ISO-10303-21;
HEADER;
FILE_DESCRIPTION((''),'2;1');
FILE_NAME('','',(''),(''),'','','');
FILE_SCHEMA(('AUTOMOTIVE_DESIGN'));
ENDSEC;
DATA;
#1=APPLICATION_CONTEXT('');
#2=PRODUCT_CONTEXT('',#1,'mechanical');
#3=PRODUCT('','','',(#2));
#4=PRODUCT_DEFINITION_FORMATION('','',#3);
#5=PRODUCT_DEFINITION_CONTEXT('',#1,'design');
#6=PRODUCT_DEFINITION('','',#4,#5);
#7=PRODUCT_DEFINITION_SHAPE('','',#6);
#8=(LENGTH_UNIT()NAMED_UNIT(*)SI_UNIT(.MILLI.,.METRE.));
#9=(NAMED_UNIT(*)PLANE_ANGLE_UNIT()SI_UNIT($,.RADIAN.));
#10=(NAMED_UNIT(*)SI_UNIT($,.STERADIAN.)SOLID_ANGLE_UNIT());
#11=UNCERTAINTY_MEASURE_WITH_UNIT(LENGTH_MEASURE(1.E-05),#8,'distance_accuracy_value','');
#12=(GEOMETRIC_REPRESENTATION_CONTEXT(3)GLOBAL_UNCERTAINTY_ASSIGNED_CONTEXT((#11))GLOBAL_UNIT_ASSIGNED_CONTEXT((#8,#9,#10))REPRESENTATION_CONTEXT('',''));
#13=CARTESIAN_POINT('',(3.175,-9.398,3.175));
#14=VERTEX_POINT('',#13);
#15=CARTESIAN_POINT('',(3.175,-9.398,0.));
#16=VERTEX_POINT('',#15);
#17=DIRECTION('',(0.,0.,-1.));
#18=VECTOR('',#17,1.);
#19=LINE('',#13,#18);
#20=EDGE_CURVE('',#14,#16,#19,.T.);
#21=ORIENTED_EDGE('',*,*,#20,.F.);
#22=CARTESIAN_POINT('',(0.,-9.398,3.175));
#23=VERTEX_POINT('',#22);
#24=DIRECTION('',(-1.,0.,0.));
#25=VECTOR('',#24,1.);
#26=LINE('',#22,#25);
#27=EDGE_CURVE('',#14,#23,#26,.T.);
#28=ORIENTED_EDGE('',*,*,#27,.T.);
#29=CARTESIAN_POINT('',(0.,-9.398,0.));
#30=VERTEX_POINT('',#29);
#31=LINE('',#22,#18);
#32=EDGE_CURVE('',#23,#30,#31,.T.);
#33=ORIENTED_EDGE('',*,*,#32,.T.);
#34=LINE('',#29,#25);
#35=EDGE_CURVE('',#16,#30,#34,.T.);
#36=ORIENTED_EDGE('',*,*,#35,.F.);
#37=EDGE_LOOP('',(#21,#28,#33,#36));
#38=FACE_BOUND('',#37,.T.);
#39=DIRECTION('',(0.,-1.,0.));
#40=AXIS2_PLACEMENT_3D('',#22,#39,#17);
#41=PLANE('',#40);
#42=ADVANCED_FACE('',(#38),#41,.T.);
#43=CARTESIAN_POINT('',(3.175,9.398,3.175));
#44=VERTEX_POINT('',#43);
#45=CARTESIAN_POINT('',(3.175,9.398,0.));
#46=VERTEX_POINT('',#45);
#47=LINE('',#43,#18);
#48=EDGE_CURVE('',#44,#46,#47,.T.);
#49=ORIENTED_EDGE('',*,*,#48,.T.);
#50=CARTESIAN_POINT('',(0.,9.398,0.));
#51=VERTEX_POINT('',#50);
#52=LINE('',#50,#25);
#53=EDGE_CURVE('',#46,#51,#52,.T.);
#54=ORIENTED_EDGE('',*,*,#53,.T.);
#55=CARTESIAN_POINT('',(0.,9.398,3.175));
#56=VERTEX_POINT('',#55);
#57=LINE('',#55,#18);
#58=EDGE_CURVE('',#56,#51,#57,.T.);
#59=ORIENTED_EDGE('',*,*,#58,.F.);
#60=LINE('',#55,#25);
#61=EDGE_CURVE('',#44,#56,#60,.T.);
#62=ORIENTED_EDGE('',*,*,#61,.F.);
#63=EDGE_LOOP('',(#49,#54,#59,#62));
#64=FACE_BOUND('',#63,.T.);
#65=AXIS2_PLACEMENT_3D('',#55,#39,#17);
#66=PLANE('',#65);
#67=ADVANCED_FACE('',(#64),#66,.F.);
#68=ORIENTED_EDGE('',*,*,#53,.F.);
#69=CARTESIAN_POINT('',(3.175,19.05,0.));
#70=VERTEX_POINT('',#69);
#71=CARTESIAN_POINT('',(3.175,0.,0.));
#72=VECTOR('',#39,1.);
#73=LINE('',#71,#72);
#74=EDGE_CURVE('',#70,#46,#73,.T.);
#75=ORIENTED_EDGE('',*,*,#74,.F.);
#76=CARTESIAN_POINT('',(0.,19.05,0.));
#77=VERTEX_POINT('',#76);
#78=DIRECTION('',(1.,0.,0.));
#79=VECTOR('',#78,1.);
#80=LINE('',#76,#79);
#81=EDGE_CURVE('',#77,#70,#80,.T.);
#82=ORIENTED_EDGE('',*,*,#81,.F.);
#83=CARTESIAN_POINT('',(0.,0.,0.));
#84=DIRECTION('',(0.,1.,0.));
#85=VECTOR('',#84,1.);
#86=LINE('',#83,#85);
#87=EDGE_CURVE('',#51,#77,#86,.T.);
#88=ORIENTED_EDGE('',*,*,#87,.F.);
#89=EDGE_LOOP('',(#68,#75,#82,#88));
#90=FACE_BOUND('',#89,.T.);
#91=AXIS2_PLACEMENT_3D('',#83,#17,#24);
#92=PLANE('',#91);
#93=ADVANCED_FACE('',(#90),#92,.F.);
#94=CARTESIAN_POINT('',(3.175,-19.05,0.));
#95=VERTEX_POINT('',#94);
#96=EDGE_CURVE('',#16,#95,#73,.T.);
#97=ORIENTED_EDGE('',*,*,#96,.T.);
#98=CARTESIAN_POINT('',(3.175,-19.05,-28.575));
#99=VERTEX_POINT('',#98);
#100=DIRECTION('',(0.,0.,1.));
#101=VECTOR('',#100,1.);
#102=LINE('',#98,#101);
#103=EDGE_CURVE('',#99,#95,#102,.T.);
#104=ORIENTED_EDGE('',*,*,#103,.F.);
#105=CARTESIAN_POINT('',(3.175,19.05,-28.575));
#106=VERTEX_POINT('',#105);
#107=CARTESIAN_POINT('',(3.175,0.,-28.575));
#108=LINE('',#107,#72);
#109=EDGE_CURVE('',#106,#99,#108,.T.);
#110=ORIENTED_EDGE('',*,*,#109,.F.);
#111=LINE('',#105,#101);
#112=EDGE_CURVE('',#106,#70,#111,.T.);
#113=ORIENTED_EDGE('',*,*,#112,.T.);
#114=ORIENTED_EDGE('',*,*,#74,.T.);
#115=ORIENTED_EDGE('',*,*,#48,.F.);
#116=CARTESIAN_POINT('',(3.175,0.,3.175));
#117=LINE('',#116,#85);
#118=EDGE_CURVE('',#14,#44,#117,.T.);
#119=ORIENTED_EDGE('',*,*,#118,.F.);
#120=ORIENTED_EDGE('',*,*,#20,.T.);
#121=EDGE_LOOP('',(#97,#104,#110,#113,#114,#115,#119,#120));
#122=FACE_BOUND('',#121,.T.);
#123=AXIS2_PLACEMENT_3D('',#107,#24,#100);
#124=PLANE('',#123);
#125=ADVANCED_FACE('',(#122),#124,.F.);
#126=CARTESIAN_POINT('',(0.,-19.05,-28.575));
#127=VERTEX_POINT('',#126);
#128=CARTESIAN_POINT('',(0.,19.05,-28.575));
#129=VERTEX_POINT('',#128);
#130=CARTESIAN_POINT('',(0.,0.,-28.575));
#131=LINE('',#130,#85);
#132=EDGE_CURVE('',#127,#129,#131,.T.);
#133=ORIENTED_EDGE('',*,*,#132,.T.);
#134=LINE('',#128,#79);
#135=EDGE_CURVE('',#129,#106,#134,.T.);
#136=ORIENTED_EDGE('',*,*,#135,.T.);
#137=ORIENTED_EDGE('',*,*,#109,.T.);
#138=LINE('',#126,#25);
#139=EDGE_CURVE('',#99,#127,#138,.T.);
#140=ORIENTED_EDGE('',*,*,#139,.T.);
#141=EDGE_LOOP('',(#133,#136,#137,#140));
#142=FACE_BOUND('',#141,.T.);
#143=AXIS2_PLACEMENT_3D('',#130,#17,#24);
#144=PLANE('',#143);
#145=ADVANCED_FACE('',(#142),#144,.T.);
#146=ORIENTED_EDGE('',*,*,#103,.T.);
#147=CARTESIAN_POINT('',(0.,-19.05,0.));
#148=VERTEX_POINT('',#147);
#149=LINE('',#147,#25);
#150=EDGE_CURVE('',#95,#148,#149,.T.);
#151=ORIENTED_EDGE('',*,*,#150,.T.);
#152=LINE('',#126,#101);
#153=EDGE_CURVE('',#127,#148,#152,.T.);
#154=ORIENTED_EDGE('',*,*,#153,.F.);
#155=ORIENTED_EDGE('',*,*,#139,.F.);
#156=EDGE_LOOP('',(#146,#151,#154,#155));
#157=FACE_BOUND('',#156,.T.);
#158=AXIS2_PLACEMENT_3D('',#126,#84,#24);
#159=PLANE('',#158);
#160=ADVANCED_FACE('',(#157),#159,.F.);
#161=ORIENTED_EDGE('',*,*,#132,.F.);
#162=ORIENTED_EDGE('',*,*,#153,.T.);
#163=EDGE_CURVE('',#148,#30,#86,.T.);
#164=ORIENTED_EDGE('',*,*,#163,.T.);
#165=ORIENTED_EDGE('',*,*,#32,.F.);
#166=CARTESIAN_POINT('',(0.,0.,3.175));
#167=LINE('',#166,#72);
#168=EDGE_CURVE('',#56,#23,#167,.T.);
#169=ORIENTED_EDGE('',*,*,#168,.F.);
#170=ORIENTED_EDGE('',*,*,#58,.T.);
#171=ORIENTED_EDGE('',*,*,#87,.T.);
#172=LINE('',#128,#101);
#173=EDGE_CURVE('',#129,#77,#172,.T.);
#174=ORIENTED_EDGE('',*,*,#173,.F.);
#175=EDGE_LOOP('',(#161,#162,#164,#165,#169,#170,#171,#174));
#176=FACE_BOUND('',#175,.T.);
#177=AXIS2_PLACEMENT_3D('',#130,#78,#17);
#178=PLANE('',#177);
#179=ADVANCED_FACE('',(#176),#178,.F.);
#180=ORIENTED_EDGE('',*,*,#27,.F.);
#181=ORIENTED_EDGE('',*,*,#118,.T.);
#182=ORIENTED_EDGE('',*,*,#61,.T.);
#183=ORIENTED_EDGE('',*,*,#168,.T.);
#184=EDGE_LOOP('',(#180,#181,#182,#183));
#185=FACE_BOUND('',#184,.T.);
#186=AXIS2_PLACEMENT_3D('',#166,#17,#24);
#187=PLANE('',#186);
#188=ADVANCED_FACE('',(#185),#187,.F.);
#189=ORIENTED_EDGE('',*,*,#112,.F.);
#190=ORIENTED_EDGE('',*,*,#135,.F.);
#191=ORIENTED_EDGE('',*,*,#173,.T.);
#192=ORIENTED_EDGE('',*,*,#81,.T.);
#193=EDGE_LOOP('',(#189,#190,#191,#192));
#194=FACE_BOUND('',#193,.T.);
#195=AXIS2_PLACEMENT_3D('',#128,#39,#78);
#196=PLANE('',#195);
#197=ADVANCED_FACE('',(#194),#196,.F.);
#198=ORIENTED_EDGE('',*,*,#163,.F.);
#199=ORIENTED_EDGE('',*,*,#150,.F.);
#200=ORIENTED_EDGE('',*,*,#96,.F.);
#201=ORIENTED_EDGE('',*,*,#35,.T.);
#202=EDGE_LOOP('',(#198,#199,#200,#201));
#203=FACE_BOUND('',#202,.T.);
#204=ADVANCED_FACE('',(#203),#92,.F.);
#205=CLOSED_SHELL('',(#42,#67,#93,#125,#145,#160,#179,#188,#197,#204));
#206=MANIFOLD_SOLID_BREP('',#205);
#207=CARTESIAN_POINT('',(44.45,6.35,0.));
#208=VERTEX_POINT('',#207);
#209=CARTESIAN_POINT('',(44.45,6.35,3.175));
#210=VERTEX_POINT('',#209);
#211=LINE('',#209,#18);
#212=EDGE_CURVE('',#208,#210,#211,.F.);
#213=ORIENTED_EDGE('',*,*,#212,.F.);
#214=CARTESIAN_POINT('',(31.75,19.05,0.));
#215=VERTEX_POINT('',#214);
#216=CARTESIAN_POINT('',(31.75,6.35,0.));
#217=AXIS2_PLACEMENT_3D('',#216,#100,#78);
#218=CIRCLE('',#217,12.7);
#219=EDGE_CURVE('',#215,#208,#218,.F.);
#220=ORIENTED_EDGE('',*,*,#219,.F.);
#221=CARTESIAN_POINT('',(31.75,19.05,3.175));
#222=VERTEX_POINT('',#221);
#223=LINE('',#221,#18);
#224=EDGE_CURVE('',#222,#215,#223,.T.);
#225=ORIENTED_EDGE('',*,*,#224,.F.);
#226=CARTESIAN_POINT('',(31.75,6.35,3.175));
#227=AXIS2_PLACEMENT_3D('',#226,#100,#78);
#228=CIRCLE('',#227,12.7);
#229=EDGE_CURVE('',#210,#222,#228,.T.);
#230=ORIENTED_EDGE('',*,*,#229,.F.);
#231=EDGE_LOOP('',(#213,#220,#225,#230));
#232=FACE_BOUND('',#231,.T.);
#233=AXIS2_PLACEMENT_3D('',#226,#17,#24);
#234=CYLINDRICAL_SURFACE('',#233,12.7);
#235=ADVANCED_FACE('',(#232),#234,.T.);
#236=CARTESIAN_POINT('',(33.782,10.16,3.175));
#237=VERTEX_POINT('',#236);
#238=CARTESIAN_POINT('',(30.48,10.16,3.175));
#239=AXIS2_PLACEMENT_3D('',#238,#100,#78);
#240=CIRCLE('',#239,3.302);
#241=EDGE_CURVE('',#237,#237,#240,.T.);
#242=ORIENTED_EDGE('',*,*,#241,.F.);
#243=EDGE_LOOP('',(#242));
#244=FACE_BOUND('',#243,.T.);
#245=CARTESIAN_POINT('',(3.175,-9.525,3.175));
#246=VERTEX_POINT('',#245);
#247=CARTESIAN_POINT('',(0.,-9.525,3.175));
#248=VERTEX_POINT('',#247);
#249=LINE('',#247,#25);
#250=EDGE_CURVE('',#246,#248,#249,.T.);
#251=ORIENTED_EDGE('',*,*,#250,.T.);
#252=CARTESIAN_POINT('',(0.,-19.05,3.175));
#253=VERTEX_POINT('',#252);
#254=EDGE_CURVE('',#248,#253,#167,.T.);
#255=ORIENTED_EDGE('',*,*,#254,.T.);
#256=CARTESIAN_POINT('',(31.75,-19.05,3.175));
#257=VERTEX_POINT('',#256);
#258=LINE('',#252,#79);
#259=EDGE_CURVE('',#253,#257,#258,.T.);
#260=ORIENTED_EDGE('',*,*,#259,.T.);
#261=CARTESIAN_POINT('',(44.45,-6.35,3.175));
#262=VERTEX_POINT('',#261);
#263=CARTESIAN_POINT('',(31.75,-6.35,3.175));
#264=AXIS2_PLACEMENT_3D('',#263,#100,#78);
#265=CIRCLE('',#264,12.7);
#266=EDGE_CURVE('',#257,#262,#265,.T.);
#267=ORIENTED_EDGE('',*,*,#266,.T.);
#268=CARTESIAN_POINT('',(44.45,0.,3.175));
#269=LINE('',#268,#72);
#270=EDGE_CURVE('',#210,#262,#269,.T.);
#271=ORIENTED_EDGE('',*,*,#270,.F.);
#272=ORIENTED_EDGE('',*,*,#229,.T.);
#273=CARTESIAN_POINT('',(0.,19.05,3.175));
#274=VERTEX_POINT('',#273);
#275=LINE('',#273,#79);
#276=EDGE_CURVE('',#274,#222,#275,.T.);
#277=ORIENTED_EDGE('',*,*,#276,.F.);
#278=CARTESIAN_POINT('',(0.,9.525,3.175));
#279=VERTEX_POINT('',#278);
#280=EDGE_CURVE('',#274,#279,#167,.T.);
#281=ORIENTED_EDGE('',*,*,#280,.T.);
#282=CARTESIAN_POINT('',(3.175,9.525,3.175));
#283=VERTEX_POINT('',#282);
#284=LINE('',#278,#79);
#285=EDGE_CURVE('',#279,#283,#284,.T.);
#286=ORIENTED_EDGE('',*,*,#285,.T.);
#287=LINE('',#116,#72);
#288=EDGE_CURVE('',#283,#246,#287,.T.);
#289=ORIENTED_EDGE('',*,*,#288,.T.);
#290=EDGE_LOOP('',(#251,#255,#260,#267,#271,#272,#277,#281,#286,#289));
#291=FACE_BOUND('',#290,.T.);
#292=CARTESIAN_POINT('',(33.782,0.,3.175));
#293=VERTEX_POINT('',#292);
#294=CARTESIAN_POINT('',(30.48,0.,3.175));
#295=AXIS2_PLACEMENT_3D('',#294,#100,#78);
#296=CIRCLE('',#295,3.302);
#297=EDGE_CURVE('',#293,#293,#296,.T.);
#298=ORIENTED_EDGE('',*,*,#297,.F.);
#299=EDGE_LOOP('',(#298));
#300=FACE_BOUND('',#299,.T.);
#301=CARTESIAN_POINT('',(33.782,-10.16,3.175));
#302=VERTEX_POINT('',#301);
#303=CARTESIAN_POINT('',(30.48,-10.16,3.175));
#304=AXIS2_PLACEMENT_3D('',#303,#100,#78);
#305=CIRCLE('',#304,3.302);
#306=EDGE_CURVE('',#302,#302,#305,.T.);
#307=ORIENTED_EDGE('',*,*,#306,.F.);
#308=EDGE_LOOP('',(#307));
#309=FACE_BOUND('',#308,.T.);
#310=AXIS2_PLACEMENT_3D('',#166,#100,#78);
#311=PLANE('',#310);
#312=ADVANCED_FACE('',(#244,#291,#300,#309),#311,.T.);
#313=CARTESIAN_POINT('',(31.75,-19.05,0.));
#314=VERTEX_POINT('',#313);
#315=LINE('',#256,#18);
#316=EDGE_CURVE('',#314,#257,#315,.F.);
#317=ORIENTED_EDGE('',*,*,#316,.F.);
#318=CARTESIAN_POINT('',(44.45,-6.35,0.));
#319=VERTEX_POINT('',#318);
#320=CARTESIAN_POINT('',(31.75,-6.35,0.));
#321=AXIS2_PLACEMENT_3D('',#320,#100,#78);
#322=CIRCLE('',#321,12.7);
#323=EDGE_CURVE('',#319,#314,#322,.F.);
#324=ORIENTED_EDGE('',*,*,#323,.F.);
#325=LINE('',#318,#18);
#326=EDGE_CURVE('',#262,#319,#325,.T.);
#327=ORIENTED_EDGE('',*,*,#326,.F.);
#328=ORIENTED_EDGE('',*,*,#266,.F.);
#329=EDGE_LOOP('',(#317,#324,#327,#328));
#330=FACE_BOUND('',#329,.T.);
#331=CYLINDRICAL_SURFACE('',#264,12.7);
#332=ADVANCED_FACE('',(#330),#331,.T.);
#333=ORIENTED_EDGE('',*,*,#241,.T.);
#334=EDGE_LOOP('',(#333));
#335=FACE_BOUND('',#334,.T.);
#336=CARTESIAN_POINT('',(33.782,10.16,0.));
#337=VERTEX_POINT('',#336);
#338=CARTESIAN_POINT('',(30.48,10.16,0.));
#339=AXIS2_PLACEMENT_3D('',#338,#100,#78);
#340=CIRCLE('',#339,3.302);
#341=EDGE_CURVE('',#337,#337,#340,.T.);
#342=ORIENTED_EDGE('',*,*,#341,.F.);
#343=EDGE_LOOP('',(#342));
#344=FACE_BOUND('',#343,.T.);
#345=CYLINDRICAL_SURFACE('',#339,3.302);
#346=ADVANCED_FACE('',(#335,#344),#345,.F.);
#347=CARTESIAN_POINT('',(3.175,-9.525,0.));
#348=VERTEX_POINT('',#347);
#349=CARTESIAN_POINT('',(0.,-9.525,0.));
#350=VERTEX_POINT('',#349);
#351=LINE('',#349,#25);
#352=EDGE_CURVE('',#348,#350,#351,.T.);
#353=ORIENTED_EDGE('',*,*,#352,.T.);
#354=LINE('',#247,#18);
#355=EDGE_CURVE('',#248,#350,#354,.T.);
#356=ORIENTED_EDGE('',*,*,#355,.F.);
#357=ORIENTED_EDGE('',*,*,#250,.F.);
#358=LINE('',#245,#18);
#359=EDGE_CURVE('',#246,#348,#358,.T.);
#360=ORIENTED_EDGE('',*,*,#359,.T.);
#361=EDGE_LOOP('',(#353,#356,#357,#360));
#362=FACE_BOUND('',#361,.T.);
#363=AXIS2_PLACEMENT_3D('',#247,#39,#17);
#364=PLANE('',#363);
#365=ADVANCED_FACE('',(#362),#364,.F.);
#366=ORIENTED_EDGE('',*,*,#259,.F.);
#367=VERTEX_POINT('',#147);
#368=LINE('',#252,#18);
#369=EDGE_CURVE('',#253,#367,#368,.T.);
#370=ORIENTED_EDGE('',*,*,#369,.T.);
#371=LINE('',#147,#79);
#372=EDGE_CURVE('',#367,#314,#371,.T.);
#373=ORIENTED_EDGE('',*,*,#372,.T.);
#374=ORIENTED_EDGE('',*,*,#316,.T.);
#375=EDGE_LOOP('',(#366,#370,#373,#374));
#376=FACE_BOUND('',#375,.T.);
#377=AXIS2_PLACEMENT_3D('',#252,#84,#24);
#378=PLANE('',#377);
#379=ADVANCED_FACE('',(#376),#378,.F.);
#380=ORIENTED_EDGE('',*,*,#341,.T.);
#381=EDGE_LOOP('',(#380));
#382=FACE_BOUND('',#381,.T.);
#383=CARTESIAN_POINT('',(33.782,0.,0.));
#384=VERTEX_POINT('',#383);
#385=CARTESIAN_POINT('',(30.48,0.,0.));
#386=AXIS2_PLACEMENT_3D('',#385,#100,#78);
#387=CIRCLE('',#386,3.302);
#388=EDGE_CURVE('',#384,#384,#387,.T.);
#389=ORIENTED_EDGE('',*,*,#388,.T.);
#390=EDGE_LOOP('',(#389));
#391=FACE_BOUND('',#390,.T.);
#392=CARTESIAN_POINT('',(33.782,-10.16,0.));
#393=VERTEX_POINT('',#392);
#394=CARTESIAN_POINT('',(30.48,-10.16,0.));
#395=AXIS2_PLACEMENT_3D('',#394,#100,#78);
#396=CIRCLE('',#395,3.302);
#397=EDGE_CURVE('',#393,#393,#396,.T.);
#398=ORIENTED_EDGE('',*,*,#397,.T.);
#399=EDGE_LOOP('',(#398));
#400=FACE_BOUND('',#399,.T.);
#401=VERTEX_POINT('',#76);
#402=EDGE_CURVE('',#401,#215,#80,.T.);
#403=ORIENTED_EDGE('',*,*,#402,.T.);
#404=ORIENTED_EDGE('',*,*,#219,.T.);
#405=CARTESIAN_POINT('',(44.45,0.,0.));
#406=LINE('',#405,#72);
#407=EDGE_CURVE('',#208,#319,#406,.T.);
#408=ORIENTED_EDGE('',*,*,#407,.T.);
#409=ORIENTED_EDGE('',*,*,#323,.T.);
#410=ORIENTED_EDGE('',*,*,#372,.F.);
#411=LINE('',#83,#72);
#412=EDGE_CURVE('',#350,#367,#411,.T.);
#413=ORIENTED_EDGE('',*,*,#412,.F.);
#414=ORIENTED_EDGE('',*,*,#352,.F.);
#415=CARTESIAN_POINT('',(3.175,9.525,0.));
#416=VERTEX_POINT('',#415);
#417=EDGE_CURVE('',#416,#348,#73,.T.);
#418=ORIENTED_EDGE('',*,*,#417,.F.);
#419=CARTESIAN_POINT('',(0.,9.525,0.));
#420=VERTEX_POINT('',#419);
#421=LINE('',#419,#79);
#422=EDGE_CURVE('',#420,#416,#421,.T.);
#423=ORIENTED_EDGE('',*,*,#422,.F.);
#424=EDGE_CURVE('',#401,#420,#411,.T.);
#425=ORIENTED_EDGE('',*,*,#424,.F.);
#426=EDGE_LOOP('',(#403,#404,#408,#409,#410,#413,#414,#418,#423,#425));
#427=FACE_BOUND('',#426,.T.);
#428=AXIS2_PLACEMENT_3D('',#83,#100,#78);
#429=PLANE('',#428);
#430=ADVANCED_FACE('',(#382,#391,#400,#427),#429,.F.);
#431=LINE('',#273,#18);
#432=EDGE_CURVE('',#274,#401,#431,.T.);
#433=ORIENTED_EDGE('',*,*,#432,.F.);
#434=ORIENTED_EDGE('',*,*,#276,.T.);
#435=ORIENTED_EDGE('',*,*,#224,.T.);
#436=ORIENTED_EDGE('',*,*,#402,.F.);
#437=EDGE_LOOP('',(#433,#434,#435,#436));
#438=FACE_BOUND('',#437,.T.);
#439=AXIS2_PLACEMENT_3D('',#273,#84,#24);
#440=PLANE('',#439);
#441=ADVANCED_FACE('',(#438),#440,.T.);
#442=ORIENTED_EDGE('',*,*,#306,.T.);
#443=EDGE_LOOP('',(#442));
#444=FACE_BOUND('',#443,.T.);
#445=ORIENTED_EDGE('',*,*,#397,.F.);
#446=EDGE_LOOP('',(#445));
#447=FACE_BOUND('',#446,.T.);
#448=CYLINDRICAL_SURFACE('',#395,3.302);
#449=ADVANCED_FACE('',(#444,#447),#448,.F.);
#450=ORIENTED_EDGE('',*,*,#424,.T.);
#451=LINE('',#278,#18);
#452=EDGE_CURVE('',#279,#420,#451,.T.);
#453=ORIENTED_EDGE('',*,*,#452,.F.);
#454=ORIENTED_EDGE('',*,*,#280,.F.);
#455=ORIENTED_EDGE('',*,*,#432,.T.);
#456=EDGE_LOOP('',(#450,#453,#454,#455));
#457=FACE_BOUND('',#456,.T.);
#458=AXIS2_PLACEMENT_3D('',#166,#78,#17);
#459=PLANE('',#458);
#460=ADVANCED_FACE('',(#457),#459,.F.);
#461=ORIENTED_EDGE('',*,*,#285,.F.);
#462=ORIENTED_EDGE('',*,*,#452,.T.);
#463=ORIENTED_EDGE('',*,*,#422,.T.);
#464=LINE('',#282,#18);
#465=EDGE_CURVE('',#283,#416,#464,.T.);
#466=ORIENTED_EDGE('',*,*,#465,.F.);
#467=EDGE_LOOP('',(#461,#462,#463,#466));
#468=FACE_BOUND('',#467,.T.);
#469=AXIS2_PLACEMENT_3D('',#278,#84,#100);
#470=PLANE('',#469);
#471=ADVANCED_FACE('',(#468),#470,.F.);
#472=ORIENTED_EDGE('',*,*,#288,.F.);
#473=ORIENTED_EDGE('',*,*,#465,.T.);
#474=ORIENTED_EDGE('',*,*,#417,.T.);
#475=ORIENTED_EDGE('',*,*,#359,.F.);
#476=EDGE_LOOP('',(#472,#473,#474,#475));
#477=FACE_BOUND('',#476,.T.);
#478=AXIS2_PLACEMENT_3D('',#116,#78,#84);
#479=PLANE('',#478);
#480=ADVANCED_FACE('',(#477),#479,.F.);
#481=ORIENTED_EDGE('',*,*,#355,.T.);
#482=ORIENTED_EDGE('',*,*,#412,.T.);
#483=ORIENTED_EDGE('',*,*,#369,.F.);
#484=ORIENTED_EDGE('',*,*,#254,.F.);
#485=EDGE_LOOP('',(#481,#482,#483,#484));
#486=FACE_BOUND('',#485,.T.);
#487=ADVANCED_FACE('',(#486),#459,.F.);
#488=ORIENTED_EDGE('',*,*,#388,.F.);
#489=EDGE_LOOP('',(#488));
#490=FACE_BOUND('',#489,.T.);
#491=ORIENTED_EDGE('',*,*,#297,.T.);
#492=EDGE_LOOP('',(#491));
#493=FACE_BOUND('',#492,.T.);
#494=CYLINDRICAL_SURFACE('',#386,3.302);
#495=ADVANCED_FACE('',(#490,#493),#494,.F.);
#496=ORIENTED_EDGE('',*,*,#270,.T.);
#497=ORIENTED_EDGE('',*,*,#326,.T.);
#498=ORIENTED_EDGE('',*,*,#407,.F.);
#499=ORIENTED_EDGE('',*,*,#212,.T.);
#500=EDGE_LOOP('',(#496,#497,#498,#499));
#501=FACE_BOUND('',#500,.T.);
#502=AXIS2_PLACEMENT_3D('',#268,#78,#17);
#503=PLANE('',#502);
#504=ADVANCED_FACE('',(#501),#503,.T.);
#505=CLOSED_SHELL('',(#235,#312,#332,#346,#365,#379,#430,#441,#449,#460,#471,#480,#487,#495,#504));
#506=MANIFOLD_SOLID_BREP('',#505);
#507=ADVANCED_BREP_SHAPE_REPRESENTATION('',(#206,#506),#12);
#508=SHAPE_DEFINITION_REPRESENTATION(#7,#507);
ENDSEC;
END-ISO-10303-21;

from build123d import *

# Parameters (mm, degrees)
BOSS_EXTRUDE1_DEPTH     = 3.175
CUT_EXTRUDE1_DEPTH      = 49.464271634
CUT_EXTRUDE1_DEPTH_BACK = 49.464271634
SKETCH2_R               = 3.302
SKETCH3_W               = 3.175
SKETCH3_H               = 38.1
BOSS_EXTRUDE2_DEPTH     = 28.575
SKETCH3_4_W             = 3.175
SKETCH3_4_H             = 18.796
BOSS_EXTRUDE5_DEPTH     = 3.175
FILLET1_R               = 12.7


with BuildPart() as part:
    # Sketch1 → Boss-Extrude1 (new body)
    with BuildSketch(Plane.XY):
        Polygon((0, 19.05), (0, 9.525), (3.175, 9.525), (3.175, -9.525), (0, -9.525), (0, -19.05), (44.45, -19.05), (44.45, 19.05), align=None)
    extrude(amount=BOSS_EXTRUDE1_DEPTH)

    # Sketch2 → Cut-Extrude1 (cut, two sides: drawn at the far end of the back side and taken through both)
    with BuildSketch(Plane.XY.offset(3.175).offset(-CUT_EXTRUDE1_DEPTH_BACK)):
        with Locations((30.48, 10.16)):
            Circle(SKETCH2_R)
        with Locations((30.48, -10.16)):
            Circle(SKETCH2_R)
        with Locations((30.48, 0)):
            Circle(SKETCH2_R)
    extrude(amount=CUT_EXTRUDE1_DEPTH + CUT_EXTRUDE1_DEPTH_BACK, mode=Mode.SUBTRACT)

    # Fillet1
    fillet1_edges = [part.edges().sort_by_distance(p)[0] for p in [
        (44.45, 19.05, 1.5875),
        (44.45, -19.05, 1.5875),
    ]]
    fillet(fillet1_edges, radius=FILLET1_R)


with BuildPart() as body_2:
    # Sketch3 → Boss-Extrude2 (new body)
    with BuildSketch(Plane(origin=(0, 0, 0), x_dir=(-1, 0, 0), z_dir=(0, 0, -1))):
        with Locations((-1.5875, 0)):
            Rectangle(SKETCH3_W, SKETCH3_H)
    extrude(amount=BOSS_EXTRUDE2_DEPTH)

    # Sketch3<4> → Boss-Extrude5 (add)
    with BuildSketch(Plane(origin=(0, 0, 0), x_dir=(-1, 0, 0), z_dir=(0, 0, -1))):
        with Locations((-1.5875, 0)):
            Rectangle(SKETCH3_4_W, SKETCH3_4_H)
    extrude(amount=-BOSS_EXTRUDE5_DEPTH)


solid = Compound([part.part, body_2.part])
